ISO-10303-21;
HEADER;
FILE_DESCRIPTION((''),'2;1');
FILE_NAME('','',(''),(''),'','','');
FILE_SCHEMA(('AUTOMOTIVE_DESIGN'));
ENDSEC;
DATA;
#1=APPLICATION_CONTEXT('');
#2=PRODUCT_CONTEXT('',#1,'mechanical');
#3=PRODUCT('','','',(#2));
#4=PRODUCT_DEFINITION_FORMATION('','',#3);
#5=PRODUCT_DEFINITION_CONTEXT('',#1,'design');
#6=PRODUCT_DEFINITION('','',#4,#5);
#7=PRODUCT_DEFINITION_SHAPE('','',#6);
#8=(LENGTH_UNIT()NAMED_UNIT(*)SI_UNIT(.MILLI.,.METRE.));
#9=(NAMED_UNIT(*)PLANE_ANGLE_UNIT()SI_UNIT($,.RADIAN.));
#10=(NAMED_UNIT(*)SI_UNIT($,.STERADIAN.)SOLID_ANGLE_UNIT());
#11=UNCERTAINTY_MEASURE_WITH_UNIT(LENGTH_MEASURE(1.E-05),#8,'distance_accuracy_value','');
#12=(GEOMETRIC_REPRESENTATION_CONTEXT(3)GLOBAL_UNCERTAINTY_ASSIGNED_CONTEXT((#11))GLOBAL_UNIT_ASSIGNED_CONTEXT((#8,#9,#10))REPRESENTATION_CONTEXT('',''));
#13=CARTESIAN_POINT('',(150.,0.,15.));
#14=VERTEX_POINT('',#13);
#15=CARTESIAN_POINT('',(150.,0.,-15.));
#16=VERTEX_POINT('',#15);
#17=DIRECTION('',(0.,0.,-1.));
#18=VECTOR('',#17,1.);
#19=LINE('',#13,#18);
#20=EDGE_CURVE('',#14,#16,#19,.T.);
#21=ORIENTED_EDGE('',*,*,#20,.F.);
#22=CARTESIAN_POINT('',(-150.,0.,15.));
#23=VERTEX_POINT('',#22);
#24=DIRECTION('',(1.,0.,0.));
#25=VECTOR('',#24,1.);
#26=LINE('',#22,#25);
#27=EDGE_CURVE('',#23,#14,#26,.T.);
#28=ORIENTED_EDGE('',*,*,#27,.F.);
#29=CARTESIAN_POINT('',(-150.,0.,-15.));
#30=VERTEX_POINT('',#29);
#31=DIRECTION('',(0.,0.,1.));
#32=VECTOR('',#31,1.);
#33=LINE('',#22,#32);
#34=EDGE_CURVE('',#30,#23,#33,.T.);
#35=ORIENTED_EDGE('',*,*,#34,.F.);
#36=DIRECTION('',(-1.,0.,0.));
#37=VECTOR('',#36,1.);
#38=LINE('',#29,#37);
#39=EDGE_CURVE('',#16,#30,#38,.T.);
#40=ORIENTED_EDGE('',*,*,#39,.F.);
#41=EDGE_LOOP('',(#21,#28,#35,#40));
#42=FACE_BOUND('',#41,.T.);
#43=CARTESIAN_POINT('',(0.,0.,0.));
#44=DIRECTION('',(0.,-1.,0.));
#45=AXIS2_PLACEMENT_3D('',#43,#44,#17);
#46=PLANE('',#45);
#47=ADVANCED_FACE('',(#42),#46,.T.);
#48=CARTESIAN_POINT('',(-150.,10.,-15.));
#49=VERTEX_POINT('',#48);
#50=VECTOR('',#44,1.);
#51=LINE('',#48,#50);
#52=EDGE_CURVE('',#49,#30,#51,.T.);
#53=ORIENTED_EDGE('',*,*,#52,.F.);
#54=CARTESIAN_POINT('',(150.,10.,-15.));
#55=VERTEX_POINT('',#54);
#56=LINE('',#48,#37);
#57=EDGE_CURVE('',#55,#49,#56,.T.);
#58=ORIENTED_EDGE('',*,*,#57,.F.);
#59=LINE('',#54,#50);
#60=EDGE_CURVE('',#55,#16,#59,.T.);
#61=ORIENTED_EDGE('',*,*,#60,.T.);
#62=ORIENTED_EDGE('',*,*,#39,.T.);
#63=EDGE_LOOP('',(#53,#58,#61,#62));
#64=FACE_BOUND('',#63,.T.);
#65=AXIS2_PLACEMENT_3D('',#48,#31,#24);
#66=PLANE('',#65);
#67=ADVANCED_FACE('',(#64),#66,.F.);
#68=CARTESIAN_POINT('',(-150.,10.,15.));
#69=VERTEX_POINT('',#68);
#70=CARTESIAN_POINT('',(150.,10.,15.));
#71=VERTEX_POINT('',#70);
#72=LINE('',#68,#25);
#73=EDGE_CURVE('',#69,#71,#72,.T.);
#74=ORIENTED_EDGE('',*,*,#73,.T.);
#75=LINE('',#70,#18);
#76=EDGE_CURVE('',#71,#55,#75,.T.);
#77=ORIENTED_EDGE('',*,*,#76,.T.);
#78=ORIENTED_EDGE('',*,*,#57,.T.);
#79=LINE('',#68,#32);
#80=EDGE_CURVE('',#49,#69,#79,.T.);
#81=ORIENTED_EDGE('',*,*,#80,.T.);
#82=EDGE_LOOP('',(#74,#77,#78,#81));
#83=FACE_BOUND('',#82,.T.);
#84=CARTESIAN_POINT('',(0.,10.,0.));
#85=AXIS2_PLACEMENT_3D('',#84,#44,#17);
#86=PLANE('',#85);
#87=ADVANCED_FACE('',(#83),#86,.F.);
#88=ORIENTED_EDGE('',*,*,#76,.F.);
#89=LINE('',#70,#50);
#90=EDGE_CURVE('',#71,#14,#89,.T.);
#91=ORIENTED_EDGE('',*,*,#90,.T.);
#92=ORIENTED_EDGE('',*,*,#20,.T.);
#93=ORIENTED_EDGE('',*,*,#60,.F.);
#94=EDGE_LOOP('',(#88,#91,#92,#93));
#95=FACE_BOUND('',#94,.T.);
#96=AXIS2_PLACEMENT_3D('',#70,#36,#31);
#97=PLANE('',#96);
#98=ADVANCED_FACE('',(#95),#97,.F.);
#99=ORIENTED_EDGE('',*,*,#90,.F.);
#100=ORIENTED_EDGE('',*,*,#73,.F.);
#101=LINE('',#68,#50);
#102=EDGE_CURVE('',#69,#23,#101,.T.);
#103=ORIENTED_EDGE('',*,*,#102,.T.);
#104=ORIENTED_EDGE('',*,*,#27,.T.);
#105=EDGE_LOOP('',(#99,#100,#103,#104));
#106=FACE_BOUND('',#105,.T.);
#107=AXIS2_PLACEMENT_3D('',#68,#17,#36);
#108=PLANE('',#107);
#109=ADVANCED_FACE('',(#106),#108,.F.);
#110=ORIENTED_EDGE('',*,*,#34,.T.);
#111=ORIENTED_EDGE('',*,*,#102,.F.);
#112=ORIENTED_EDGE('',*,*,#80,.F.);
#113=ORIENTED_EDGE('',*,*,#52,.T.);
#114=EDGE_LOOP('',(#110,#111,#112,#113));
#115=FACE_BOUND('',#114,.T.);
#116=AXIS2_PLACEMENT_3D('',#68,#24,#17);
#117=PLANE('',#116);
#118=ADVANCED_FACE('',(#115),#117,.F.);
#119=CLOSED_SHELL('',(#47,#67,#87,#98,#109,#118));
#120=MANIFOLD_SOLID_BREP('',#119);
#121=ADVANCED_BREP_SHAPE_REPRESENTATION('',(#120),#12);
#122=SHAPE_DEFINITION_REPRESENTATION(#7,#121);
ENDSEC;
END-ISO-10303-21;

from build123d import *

# Parameters (mm, degrees)
SKETCH1_W           = 300
SKETCH1_H           = 30
BOSS_EXTRUDE1_DEPTH = 10


with BuildPart() as part:
    # Sketch1 → Boss-Extrude1 (new body)
    with BuildSketch(Plane(origin=(0, 0, 0), x_dir=(1, 0, 0), z_dir=(0, 1, 0))):
        Rectangle(SKETCH1_W, SKETCH1_H)
    extrude(amount=BOSS_EXTRUDE1_DEPTH)


solid = part.part
